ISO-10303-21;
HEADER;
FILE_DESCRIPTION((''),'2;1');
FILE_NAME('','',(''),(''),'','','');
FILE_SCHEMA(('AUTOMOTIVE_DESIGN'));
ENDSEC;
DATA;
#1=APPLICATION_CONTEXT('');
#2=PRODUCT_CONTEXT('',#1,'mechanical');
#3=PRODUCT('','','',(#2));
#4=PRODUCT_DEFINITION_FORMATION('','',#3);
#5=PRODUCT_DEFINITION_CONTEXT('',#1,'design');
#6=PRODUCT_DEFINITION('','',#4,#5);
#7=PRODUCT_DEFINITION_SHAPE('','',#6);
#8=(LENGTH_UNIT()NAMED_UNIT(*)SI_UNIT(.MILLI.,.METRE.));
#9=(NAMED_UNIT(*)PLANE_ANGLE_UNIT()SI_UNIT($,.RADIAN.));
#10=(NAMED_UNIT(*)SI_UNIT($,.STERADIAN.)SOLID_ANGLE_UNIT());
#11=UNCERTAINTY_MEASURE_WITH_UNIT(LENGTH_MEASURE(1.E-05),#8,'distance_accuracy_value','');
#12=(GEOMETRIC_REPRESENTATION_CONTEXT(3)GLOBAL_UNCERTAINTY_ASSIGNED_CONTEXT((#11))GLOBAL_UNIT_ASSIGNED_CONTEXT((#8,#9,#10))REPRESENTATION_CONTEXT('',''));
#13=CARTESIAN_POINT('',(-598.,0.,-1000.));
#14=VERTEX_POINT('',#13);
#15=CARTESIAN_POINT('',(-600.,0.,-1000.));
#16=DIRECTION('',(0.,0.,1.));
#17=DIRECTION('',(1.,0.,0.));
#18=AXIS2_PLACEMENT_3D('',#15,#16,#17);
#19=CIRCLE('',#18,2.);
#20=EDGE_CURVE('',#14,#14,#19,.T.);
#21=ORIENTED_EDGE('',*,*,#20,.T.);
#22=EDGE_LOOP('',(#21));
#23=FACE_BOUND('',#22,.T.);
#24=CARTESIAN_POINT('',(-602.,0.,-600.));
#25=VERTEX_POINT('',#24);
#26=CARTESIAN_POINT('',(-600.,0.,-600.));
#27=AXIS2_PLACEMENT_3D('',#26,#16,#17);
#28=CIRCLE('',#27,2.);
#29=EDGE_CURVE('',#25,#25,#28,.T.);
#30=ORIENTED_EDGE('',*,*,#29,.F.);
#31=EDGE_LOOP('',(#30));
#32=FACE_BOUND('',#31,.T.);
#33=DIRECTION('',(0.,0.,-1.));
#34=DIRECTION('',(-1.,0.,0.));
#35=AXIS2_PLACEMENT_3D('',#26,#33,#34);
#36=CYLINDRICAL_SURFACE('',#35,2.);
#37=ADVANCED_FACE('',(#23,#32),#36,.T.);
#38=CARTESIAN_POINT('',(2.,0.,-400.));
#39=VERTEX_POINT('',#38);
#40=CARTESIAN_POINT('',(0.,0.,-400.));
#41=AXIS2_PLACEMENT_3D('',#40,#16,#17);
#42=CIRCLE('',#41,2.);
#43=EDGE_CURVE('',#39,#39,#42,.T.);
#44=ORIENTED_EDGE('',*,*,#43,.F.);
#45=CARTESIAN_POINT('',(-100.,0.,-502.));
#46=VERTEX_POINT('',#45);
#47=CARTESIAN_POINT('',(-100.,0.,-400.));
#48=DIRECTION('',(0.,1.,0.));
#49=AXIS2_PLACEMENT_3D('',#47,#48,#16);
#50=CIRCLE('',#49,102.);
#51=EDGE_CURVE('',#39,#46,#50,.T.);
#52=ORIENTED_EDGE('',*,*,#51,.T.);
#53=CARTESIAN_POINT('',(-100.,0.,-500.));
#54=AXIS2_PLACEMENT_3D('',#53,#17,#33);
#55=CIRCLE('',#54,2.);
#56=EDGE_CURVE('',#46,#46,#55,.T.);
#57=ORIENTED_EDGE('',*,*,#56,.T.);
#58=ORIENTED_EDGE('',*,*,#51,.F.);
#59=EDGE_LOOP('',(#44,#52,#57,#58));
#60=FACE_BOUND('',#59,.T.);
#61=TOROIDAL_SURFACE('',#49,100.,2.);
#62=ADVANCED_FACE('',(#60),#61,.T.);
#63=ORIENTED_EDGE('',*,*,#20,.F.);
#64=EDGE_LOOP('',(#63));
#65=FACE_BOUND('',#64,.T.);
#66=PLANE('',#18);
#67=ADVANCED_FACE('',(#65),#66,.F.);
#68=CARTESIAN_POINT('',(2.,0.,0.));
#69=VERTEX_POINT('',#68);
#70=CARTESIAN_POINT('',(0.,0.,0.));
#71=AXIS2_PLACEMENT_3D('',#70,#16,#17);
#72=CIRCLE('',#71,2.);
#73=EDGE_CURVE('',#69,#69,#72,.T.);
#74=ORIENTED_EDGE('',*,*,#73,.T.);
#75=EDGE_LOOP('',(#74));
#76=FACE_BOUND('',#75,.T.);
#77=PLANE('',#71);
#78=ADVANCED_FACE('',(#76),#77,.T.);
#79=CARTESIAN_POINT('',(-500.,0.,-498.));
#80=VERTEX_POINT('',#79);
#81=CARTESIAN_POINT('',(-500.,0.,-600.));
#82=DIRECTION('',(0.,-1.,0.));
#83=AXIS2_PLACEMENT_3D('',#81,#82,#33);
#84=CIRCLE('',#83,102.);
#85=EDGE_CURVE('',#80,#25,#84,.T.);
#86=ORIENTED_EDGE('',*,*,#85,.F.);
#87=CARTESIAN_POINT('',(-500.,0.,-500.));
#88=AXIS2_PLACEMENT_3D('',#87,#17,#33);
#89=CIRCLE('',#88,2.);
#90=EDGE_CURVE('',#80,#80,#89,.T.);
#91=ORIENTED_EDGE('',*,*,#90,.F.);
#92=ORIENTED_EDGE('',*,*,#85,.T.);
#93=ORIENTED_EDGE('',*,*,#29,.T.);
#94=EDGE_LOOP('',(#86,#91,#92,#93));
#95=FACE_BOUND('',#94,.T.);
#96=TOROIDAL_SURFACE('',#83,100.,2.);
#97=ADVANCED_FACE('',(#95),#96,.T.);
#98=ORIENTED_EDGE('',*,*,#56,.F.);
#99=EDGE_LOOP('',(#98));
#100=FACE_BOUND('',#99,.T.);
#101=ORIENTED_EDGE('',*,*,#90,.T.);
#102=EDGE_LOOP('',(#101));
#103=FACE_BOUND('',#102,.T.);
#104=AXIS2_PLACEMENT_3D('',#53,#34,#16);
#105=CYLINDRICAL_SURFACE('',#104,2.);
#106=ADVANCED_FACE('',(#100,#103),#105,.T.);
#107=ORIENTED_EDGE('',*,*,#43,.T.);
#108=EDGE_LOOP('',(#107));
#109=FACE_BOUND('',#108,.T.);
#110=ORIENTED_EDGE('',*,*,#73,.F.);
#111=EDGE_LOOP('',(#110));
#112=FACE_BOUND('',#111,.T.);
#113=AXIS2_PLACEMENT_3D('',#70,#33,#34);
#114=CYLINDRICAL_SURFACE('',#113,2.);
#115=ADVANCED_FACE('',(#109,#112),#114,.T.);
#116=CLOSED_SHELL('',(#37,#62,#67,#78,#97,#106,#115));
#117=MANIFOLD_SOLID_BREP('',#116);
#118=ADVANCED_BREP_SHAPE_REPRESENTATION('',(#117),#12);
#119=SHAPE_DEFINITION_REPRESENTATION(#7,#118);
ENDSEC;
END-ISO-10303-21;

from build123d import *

# Parameters (mm, degrees)
SKETCH2_R = 2


with BuildPart() as part:
    # Sweep1: sweep along a path in Sketch1
    with BuildLine(Plane(origin=(0, 0, 0), x_dir=(1, 0, 0), z_dir=(0, 1, 0))) as sweep1_path:
        Line((0, 0), (0, 400))
        ThreePointArc((0, 400), (-29.289321881, 470.710678119), (-100, 500))
        Line((-100, 500), (-500, 500))
        ThreePointArc((-500, 500), (-570.710678119, 529.289321881), (-600, 600))
        Line((-600, 600), (-600, 1000))
    # Sketch2 → Sweep1 (sweep)
    with BuildSketch(Plane.XY):
        Circle(SKETCH2_R)
    sweep(path=sweep1_path.line)


solid = part.part
